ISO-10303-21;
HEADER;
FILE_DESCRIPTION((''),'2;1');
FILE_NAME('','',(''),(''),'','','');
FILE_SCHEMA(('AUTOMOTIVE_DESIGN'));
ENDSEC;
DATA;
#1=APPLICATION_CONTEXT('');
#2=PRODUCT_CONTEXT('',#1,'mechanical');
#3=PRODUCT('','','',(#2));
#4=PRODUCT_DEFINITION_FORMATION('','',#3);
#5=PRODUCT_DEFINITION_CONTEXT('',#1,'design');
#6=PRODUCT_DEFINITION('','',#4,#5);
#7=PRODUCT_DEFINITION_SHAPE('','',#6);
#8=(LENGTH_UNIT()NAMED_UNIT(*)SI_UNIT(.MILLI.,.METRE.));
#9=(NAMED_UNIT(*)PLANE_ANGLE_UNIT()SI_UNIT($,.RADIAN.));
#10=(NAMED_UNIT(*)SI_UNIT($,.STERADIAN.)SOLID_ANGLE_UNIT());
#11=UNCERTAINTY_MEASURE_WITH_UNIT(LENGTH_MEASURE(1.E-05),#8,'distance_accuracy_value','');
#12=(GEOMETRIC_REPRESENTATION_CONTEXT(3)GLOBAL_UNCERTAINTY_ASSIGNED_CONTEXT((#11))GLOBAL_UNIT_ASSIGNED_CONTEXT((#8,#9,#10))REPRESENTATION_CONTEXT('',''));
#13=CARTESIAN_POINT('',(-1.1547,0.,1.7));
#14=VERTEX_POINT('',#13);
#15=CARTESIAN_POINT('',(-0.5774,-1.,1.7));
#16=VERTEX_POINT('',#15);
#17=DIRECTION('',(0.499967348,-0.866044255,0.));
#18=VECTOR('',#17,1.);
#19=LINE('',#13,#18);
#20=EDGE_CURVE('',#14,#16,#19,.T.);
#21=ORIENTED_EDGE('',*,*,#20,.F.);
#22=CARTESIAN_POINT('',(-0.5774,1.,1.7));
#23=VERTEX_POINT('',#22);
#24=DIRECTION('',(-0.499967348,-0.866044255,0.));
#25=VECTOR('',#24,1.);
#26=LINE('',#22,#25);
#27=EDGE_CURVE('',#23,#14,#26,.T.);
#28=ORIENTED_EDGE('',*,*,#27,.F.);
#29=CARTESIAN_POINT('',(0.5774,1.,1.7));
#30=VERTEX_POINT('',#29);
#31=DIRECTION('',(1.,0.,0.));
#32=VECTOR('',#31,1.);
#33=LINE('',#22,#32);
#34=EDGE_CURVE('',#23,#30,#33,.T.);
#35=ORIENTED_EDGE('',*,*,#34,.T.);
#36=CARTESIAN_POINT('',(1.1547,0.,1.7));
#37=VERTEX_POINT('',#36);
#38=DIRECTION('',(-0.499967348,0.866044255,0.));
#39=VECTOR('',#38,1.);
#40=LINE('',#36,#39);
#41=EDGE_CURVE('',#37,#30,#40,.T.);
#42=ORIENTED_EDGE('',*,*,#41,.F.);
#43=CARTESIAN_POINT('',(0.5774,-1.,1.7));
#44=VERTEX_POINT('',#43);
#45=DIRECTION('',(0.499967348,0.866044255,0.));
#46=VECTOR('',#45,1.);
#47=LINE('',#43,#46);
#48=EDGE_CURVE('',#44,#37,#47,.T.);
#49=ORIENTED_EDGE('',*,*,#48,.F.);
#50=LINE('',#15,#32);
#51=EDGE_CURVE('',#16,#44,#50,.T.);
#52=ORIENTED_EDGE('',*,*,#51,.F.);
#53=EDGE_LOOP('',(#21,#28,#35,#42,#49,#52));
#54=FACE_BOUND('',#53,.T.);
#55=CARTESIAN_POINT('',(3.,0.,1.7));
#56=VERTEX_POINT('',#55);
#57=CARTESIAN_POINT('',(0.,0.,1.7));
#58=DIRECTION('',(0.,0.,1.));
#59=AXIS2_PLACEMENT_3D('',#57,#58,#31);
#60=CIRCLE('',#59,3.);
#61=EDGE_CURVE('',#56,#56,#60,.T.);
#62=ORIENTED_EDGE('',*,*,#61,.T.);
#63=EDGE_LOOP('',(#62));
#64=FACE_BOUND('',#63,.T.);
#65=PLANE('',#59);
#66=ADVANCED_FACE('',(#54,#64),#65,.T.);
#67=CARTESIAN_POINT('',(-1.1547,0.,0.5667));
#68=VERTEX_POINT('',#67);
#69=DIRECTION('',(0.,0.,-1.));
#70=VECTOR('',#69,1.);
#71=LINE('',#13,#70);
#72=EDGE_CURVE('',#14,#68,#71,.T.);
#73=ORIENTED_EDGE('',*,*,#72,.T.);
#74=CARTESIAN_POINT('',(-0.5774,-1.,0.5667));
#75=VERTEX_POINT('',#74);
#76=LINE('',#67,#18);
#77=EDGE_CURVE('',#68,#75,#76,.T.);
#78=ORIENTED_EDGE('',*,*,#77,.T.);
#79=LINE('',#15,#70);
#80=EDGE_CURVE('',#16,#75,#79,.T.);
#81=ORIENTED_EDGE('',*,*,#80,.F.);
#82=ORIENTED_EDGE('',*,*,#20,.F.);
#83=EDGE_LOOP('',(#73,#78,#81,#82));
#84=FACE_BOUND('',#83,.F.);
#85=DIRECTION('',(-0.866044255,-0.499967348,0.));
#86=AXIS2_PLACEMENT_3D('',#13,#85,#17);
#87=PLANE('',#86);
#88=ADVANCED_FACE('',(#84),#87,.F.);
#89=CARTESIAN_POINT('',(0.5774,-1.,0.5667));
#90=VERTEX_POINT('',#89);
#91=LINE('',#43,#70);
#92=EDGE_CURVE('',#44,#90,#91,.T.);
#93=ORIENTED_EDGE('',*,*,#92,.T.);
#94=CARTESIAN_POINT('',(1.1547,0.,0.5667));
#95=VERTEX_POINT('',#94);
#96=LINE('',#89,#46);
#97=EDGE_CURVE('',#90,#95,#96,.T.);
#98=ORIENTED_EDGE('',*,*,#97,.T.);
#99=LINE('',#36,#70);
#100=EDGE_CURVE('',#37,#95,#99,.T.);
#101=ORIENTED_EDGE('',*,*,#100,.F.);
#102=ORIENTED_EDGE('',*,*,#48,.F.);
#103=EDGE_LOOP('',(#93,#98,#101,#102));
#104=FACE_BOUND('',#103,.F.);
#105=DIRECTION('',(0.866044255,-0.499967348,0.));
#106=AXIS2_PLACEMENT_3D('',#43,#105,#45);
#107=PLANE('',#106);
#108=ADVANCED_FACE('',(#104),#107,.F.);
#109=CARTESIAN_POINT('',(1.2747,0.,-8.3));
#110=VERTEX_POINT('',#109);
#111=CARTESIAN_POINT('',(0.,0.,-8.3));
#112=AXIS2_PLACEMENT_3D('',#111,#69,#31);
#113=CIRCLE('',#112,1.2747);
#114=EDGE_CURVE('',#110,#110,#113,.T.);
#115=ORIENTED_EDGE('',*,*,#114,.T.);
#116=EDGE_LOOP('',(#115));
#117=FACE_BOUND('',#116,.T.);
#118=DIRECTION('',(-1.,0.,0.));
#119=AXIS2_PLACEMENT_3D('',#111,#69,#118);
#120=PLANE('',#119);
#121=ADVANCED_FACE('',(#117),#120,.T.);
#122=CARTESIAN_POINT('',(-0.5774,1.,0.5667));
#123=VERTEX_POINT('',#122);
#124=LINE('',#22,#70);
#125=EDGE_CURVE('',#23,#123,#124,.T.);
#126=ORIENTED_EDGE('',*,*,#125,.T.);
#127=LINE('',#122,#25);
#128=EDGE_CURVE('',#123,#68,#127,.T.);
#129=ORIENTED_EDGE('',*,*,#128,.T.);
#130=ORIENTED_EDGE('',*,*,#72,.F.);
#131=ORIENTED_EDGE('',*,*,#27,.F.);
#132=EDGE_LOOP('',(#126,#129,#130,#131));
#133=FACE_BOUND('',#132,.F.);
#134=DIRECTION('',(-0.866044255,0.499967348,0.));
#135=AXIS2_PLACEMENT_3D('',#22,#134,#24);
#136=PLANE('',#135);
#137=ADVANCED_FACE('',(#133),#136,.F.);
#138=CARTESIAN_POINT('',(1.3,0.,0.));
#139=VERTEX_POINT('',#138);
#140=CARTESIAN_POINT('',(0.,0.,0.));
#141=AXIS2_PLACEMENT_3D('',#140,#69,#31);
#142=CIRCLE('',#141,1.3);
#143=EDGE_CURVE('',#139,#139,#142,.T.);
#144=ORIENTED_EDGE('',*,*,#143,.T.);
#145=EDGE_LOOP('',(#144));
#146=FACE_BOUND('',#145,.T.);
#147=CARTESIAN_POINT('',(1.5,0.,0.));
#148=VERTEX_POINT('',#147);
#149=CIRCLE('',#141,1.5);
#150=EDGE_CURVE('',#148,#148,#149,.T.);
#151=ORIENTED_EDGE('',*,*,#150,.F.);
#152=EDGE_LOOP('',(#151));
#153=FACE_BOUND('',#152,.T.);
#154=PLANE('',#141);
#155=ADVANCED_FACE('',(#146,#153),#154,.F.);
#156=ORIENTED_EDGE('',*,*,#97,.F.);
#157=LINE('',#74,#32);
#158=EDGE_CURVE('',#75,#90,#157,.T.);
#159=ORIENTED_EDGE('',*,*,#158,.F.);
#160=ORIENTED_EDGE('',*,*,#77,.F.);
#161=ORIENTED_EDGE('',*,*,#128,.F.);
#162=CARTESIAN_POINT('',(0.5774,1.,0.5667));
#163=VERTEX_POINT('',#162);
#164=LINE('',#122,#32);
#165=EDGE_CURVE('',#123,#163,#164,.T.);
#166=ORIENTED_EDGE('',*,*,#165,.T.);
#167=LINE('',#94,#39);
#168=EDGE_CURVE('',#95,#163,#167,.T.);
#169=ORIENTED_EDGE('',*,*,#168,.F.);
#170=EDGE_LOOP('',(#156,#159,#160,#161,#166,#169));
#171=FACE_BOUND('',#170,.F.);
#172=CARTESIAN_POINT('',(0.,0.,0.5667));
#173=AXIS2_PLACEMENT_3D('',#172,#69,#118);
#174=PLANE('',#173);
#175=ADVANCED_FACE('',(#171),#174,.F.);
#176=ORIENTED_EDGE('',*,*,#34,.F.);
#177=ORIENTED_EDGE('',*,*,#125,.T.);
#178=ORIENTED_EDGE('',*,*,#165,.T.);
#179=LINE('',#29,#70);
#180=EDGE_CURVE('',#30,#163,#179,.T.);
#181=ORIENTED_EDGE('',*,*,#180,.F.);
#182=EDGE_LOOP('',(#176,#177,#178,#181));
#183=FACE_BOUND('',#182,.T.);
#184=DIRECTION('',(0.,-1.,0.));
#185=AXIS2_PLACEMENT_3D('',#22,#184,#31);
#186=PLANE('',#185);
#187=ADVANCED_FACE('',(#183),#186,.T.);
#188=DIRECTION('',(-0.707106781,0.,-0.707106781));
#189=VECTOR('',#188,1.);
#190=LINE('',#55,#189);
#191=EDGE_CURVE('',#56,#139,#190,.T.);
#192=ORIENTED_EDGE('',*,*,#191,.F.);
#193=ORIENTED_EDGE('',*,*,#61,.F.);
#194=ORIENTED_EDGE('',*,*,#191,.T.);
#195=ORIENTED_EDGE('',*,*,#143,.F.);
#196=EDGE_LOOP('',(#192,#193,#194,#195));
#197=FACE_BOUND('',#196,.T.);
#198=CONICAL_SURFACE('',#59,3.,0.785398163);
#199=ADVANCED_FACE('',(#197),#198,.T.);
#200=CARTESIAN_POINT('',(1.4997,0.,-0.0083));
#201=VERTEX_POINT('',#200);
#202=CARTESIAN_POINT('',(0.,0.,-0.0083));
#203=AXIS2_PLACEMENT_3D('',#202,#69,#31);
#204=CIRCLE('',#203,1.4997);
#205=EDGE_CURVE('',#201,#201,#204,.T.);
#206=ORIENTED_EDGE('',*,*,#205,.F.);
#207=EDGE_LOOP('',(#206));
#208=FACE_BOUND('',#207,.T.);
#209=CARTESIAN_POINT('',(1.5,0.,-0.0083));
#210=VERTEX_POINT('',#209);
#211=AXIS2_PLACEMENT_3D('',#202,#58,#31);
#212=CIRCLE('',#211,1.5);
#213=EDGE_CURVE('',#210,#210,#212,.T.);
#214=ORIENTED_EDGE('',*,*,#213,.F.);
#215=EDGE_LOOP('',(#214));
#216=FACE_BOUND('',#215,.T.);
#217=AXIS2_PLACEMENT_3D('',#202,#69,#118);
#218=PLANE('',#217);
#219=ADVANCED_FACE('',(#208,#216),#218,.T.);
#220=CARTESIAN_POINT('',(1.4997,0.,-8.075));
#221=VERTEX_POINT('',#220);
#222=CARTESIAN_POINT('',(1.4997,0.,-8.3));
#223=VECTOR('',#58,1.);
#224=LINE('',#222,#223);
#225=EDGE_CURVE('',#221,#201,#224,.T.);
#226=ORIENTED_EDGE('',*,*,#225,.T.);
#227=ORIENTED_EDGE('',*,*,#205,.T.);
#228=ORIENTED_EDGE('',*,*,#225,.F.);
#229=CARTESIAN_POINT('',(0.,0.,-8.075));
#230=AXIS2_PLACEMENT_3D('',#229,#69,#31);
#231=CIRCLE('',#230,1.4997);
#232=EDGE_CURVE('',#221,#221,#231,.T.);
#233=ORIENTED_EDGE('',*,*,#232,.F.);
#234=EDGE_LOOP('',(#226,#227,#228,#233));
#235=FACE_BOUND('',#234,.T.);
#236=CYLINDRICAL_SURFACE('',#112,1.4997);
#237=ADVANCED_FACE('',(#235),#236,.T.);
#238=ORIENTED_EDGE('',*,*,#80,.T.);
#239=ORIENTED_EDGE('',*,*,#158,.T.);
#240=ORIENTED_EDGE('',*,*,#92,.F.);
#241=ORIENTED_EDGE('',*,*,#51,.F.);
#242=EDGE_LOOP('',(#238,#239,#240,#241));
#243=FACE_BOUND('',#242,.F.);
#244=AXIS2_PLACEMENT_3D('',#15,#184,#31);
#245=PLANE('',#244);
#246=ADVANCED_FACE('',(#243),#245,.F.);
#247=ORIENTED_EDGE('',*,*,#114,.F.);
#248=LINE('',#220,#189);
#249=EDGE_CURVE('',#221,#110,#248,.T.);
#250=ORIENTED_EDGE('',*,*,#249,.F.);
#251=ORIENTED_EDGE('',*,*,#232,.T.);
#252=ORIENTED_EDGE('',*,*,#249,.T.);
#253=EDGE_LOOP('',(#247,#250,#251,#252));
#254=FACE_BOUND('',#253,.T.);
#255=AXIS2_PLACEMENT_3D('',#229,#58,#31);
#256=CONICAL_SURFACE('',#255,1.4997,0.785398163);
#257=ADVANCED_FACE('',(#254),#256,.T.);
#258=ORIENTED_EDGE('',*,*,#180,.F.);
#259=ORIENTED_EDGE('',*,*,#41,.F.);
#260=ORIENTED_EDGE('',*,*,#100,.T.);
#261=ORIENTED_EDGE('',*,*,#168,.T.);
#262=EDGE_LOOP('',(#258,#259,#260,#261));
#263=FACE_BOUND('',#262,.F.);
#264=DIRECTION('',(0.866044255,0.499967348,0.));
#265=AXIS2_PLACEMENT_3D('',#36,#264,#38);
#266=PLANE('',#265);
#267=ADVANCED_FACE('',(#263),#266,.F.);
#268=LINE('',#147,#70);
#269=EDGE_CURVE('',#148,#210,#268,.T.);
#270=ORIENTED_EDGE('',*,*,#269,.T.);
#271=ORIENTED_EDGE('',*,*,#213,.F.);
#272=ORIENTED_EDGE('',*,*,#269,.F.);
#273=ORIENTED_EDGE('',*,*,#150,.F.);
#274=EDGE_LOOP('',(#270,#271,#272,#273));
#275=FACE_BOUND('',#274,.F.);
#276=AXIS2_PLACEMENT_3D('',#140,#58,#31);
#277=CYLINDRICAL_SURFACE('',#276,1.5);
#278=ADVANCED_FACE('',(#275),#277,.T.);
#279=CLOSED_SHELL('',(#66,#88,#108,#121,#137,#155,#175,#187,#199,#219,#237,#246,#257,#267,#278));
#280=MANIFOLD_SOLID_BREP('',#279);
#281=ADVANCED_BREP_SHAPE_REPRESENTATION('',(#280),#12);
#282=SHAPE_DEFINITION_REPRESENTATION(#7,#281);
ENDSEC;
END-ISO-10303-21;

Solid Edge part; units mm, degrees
sketch "Sketch1" plane through (0, 0, 0) normal (0, 0, 1) x (1, 0, 0)
  circle A0 centre (0, 0) radius 3
  dimension "D1" = 6
extrude "Protrusion1" add sketch "Sketch1" along normal blind 1.7
sketch "Sketch2" plane through (0, 0, 0) normal (0, 0, -1) x (1, 0, 0)
  circle A0 centre (0, 0) radius 1.5
extrude "Protrusion2" add sketch "Sketch2" along normal blind 8.3
sketch "Sketch3" plane through (0, 0, -8.3) normal (0, 0, -1) x (1, 0, 0)
  circle A0 centre (0, 0) radius 1.4997
extrude "Cutout1" cut sketch "Sketch3" against normal blind 8.2917 flip side to cut
chamfer "Chamfer_1" distance 0.225 angle 45 1 edges at (-1.4997, 0, -8.3)
sketch "Sketch4" plane through (0, 0, 1.7) normal (0, 0, 1) x (1, 0, 0)
  line L0 (-0.5774, 1) -> (0.5774, 1)
  line L1 (1.1547, 0) -> (0.5774, 1)
  line L2 (0.5774, -1) -> (1.1547, 0)
  line L3 (-0.5774, -1) -> (0.5774, -1)
  line L4 (-1.1547, 0) -> (-0.5774, -1)
  line L5 (-0.5774, 1) -> (-1.1547, 0)
  dimension "D1" = 2
extrude "Cutout2" cut sketch "Sketch4" against normal blind 1.1333
sketch "Sketch5" plane through (0, 0, 0) normal (0, -1, 0) x (1, 0, 0)
  line L0 (3, 1.7) -> (1.3, 0)
  line L1 (1.3, 0) -> (3, 0)
  line L2 (3, 0) -> (3, 1.7)
revolve "RevolvedCutout1" cut sketch "Sketch5" angle 360 about axis through (0, 0, 14.0017) along (0, 0, -1)
properties part number "125318"
